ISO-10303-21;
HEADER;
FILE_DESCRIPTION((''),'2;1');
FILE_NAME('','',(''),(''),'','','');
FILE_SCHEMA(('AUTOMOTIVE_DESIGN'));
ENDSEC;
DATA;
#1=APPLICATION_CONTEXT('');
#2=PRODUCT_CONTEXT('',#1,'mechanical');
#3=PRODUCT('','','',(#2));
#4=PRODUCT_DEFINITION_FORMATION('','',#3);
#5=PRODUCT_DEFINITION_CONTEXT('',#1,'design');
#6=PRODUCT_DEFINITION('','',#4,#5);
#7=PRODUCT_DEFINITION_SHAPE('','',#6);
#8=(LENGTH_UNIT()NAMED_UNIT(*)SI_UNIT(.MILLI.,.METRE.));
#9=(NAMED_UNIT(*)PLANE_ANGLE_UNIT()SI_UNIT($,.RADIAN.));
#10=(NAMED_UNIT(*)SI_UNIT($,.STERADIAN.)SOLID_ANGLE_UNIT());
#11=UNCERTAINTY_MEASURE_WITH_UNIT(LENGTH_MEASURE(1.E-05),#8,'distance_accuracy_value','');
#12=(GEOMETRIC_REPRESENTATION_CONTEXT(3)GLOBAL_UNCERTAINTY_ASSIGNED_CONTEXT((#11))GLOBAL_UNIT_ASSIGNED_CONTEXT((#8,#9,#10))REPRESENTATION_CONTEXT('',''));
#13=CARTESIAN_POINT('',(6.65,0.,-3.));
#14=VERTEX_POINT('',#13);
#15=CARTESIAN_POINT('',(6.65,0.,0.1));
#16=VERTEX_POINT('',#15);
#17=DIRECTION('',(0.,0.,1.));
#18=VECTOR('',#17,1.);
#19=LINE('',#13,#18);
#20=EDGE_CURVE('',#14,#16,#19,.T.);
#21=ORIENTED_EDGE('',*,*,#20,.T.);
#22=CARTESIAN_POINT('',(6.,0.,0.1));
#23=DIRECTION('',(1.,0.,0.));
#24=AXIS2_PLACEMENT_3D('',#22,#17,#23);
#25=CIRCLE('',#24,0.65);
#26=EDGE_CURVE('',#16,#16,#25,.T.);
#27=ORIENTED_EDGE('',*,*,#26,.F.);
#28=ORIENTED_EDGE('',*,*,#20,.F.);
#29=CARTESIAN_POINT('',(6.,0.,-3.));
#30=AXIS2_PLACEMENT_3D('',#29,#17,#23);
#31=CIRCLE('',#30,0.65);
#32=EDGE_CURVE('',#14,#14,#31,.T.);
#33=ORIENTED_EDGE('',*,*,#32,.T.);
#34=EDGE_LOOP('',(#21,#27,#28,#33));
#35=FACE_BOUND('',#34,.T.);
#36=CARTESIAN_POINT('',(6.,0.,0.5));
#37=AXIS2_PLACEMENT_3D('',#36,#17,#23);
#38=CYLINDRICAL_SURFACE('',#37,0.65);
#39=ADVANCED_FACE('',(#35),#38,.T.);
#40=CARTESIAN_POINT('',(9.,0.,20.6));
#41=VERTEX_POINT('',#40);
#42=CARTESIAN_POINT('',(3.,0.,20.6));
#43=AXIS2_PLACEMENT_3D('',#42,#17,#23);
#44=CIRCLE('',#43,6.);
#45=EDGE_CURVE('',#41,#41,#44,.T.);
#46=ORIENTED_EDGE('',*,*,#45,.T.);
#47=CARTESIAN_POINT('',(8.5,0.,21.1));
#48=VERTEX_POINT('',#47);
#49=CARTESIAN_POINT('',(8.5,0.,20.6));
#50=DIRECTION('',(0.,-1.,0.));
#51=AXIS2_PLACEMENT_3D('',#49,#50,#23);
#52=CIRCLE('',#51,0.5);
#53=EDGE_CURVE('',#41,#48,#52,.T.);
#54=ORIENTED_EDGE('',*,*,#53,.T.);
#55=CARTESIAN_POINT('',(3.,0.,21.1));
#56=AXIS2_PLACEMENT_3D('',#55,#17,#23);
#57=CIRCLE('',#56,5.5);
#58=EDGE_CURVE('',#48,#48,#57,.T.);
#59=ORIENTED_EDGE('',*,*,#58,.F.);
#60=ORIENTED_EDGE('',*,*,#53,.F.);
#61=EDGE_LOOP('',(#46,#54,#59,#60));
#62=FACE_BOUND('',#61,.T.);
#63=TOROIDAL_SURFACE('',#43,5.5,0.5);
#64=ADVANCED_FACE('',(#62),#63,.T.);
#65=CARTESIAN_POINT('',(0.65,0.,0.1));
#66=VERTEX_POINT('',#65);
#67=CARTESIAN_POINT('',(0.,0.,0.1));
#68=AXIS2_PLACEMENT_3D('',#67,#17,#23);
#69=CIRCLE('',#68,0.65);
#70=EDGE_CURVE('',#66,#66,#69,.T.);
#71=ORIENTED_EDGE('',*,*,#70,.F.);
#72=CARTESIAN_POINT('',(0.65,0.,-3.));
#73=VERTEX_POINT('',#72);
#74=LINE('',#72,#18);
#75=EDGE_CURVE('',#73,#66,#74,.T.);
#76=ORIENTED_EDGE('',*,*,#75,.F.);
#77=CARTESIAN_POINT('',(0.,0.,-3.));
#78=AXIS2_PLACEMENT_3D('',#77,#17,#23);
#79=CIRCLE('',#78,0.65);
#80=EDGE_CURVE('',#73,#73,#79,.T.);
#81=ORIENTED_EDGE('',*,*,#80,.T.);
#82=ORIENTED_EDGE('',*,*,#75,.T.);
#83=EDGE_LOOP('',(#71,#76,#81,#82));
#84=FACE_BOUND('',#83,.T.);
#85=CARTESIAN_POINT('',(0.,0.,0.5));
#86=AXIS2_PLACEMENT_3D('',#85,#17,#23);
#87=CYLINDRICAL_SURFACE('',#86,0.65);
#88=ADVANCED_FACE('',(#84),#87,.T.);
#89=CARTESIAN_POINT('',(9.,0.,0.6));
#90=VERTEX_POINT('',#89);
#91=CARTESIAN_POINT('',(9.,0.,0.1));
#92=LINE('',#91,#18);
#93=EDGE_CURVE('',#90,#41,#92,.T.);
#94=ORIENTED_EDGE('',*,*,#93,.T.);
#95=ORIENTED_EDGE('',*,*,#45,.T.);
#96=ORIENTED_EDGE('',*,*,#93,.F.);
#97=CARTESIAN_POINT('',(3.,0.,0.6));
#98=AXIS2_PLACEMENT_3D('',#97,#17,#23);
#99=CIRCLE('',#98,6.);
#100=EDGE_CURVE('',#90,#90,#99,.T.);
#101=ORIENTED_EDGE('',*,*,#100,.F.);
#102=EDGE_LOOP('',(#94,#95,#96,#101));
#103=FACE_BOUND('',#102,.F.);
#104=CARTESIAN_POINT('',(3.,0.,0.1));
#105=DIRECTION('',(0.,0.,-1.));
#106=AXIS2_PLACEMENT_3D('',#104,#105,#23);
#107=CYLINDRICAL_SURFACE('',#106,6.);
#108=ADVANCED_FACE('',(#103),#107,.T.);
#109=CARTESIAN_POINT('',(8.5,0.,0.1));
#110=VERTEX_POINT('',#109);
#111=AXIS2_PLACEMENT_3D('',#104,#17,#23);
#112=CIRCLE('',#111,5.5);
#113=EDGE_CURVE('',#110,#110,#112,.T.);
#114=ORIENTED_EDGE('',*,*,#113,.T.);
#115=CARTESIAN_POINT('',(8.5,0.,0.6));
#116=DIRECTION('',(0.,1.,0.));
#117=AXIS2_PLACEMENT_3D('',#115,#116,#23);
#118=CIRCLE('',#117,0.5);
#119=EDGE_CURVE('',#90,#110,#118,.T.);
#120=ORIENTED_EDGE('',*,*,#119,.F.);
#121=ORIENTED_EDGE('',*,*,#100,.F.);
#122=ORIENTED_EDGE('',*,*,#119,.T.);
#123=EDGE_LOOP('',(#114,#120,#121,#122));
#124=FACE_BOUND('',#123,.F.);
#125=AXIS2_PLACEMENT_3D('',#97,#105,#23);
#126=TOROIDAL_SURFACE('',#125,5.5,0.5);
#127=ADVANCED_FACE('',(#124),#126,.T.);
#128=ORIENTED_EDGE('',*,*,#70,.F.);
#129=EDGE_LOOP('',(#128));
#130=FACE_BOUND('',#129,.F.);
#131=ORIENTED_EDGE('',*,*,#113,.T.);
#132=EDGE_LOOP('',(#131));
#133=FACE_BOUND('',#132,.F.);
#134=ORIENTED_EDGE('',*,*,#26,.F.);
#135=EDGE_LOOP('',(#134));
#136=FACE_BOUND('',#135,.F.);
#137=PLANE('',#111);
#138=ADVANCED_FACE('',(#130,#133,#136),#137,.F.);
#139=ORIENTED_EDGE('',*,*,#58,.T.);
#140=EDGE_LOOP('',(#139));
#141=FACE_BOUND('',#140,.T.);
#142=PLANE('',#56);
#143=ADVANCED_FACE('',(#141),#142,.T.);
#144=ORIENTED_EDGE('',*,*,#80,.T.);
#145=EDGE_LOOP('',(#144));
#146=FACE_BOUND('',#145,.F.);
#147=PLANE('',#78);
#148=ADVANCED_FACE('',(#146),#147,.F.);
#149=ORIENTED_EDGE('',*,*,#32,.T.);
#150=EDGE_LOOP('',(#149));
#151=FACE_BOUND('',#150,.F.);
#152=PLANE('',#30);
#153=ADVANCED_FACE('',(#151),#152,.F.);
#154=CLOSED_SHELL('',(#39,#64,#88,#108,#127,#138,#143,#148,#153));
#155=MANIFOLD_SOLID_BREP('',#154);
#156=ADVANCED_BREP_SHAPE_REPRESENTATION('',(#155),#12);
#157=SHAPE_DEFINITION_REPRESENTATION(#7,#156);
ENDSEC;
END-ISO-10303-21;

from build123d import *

# Parameters (mm, degrees)
SKETCH001_R       = 0.65
PAD001_DEPTH      = 10.5
PAD001_DEPTH_BACK = 3.5
SKETCH_R          = 6
PAD_DEPTH         = 21
FILLET_R          = 0.5


with BuildPart() as pad001:
    # Sketch001 → Pad001 (new body, two sides)
    with BuildSketch(Plane.XY.offset(0.5)) as pad001_sk:
        Circle(SKETCH001_R)
        with Locations((6, 0)):
            Circle(SKETCH001_R)
    extrude(amount=PAD001_DEPTH)
    extrude(pad001_sk.sketch, amount=-PAD001_DEPTH_BACK)


with BuildPart() as l_radial_d12_0mm_p6_00mm_murata_1900r:
    # Sketch → Pad (new body)
    with BuildSketch(Plane.XY.offset(0.1)):
        with Locations((3, 0)):
            Circle(SKETCH_R)
    extrude(amount=PAD_DEPTH)

    # Fillet
    fillet_edges = [l_radial_d12_0mm_p6_00mm_murata_1900r.edges().sort_by_distance(p)[0] for p in [
        (-3, 0, 0.1),
        (-3, 0, 21.1),
    ]]
    fillet(fillet_edges, radius=FILLET_R)

    # Fillet_mp_cp: union Pad001
    add(pad001.part)


solid = l_radial_d12_0mm_p6_00mm_murata_1900r.part
